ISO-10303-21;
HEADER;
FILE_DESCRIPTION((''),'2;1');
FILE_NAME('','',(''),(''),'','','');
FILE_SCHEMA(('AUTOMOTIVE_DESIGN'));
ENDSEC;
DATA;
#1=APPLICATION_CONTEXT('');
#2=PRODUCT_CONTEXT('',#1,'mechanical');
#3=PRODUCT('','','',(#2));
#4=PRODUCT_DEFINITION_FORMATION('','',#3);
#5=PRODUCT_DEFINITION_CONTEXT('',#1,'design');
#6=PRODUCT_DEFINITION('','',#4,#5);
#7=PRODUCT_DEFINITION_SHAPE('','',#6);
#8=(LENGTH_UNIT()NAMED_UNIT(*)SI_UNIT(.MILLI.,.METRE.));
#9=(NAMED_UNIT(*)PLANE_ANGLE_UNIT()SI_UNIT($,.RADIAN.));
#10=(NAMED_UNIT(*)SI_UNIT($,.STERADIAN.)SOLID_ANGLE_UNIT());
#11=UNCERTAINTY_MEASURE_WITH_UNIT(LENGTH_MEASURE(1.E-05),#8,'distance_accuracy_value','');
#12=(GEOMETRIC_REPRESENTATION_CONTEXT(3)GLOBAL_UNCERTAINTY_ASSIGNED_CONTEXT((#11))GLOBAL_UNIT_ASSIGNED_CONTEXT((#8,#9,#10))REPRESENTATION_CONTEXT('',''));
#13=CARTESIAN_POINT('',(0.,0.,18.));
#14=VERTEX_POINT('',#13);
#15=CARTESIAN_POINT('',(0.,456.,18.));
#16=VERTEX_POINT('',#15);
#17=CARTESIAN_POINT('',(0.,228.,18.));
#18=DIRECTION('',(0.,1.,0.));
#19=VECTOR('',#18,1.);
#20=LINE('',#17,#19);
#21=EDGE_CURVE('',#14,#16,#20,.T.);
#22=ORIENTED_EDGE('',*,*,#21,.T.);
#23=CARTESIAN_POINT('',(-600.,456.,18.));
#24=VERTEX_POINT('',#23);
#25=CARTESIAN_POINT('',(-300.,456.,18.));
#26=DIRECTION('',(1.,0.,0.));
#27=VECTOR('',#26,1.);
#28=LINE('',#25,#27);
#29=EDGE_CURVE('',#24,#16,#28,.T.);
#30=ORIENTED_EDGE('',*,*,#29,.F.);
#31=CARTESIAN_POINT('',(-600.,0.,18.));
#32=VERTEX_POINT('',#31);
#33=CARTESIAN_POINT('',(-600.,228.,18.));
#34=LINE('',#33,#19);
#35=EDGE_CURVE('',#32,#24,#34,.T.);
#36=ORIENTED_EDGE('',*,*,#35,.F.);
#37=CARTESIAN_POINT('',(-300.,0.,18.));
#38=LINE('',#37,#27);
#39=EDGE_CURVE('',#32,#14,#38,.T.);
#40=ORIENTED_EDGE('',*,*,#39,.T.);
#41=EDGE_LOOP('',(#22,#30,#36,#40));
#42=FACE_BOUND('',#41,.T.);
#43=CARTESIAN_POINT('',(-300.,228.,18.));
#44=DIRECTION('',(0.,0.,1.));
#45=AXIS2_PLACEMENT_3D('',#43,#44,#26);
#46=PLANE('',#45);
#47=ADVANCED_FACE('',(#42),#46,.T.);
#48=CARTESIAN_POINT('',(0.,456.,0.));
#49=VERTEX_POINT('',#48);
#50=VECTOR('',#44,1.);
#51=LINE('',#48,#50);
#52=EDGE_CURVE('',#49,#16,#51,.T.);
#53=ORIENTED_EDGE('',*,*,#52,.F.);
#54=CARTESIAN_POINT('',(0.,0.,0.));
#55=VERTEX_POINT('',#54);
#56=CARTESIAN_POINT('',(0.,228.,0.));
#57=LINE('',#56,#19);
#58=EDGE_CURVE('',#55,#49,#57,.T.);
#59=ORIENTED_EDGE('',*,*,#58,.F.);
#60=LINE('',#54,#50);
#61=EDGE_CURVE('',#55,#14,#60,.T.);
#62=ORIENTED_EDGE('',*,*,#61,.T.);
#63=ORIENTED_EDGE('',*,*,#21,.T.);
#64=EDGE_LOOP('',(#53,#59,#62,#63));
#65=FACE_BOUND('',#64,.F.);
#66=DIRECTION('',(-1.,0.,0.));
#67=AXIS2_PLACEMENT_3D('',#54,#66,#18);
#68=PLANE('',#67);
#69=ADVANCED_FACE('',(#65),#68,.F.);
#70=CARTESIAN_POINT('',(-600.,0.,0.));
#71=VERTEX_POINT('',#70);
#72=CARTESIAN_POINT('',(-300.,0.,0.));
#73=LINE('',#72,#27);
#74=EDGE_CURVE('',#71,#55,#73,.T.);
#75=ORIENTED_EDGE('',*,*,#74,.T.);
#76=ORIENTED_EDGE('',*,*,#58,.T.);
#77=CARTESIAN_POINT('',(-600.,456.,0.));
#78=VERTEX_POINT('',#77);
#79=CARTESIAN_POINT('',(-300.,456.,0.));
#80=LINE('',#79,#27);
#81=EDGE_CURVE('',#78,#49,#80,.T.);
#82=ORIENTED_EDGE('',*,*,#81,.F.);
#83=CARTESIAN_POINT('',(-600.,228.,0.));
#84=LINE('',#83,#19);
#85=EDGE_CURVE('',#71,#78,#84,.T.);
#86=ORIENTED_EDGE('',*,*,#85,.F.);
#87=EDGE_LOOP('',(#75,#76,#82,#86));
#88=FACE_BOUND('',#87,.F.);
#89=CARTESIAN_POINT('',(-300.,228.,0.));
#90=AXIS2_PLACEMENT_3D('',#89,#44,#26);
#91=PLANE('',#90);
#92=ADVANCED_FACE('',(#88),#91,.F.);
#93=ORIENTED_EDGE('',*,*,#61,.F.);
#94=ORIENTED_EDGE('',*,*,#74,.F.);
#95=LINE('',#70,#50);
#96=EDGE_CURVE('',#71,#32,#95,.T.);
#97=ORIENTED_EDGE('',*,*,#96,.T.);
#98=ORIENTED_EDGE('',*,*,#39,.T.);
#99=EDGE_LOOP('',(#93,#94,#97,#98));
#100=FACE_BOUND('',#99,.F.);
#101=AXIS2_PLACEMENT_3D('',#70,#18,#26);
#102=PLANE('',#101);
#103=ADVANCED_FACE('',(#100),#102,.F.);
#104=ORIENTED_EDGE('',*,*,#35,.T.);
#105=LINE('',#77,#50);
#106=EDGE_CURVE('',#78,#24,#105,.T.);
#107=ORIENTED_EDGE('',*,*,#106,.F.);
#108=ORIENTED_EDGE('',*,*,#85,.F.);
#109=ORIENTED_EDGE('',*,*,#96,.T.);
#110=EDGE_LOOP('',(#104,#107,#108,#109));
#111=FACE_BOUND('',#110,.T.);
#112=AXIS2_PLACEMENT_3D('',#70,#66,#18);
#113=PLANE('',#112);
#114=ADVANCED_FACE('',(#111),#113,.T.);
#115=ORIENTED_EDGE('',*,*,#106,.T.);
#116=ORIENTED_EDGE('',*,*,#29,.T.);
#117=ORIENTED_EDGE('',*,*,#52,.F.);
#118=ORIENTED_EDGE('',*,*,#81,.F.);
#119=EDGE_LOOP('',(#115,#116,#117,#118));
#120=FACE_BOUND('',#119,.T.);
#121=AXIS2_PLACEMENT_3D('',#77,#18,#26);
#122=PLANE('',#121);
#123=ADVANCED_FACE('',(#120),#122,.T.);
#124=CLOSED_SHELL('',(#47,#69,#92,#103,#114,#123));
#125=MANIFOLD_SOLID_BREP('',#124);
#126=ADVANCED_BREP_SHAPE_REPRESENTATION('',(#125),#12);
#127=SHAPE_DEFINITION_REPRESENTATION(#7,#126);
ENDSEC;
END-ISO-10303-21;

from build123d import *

# Parameters (mm, degrees)
SKETCH_W  = 600
SKETCH_H  = 456
PAD_DEPTH = 18


with BuildPart() as part:
    # Sketch → Pad (new body)
    with BuildSketch(Plane.XY):
        with Locations((-300, 228)):
            Rectangle(SKETCH_W, SKETCH_H)
    extrude(amount=PAD_DEPTH)


solid = part.part
